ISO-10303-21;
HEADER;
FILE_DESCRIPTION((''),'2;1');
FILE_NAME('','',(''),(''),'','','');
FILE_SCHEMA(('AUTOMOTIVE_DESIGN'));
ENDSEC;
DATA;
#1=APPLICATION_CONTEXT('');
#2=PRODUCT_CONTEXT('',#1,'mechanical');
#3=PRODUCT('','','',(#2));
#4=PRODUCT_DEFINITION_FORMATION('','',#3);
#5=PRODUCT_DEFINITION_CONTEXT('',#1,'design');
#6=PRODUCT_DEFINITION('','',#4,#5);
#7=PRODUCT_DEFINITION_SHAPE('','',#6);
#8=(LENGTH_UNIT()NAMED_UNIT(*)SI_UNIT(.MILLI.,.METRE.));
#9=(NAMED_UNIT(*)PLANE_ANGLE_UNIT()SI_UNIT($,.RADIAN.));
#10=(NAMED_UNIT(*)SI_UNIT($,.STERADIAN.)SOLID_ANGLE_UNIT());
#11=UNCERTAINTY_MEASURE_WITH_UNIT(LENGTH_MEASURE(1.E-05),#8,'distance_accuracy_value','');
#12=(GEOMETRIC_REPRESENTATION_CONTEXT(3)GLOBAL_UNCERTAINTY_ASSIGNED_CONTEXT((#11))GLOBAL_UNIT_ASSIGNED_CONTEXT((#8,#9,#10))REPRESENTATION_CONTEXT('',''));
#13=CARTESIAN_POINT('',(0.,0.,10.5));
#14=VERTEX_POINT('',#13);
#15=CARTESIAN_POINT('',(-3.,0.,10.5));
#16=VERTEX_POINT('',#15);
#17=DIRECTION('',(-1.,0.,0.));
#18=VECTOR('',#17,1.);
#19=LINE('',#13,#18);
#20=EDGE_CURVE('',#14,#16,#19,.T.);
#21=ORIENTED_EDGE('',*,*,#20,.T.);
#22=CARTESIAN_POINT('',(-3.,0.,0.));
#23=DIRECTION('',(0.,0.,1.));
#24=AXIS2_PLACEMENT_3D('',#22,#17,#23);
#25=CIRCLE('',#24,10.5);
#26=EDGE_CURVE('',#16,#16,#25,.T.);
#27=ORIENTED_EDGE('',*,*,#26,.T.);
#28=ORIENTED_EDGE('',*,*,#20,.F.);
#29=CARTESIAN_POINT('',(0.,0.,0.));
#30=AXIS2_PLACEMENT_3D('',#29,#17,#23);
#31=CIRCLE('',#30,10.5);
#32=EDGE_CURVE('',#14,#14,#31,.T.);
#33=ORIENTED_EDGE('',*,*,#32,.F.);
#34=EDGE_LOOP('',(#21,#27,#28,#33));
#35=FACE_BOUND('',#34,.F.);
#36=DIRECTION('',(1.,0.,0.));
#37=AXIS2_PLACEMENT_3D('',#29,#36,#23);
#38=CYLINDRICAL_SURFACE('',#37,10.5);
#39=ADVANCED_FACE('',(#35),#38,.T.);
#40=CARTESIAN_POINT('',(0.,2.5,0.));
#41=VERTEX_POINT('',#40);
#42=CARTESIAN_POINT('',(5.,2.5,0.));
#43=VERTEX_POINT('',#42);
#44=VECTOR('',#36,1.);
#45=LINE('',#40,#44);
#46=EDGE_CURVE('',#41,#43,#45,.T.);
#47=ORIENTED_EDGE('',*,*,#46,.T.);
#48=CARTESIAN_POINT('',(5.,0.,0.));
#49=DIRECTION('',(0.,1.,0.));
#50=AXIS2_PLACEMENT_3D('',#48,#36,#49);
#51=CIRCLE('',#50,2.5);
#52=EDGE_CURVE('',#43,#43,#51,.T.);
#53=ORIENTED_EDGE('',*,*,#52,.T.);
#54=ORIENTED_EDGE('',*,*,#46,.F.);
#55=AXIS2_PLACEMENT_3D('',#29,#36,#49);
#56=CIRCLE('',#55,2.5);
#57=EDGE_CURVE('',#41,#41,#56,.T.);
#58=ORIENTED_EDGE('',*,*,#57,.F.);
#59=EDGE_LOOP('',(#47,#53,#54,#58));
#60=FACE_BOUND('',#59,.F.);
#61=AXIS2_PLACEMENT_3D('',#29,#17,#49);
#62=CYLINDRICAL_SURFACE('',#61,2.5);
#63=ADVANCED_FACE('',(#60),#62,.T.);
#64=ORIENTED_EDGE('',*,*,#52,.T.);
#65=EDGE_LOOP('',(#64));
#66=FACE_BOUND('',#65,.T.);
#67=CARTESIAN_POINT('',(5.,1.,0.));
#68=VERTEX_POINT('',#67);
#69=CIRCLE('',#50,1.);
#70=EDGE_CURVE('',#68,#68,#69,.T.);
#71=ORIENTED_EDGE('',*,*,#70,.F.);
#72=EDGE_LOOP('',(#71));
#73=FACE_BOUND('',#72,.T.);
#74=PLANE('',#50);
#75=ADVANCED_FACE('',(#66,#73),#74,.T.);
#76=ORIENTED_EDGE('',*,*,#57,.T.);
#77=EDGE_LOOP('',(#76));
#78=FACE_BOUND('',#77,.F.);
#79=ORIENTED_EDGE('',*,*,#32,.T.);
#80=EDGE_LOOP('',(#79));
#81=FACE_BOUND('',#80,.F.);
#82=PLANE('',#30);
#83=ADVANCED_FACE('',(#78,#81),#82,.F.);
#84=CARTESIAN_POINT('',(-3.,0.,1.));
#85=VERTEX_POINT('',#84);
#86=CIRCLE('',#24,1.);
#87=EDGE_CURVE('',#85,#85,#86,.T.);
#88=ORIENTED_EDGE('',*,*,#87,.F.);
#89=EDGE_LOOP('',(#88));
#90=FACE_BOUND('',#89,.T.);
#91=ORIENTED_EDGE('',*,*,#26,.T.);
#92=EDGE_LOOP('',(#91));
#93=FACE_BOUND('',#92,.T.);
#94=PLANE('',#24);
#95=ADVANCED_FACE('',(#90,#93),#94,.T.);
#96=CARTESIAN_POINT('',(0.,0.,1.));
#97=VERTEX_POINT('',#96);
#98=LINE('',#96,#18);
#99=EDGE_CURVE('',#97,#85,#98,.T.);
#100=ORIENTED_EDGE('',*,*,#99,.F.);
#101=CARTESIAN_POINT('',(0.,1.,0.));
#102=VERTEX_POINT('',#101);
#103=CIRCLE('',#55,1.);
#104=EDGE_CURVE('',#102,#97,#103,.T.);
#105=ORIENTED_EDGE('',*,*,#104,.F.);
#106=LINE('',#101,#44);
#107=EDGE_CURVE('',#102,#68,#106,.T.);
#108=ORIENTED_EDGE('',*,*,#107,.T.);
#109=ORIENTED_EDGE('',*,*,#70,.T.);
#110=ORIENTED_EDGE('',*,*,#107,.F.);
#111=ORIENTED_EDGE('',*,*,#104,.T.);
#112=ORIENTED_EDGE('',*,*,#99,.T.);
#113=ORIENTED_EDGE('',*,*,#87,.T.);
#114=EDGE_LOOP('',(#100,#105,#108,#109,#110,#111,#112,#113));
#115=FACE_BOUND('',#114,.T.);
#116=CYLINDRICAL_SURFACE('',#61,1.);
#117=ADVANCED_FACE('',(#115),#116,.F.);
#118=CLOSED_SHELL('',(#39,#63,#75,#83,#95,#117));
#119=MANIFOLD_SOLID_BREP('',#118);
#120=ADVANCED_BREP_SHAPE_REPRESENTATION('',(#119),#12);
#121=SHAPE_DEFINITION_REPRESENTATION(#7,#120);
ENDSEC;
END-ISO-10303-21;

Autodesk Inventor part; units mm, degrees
ref_plane "YZ Plane" through (0, 0, 0) normal (1, 0, 0) x (0, 1, 0)
ref_plane "XZ Plane" through (0, 0, 0) normal (0, 1, 0) x (-1, 0, 0)
ref_plane "XY Plane" through (0, 0, 0) normal (0, 0, 1) x (1, 0, 0)
sketch "スケッチ1" plane through (0, 0, 0) normal (1, 0, 0) x (0, 1, 0)
  circle A0 centre (0, 0) radius 1
  circle A1 centre (0, 0) radius 2.5
  circle A2 centre (0, 0) radius 13
  dimension "d0" = 2
  dimension "d1" = 5
  dimension "d2" = 26
extrude "押し出し1" add sketch "スケッチ1" along normal blind 5 contours A1
sketch "スケッチ2" plane through (0, 0, 0) normal (-1, 0, 0) x (0, 0, 1)
  circle A0 centre (0, 0) radius 1 projected
  circle A1 centre (0, 0) radius 2.5 projected
  circle A2 centre (0, 0) radius 10.5
  dimension "d5" = 21
extrude "押し出し2" add sketch "スケッチ2" along normal blind 3 contours A1 | A2
properties part number "知能ロボコンアルミギア１０３Ｃ"
